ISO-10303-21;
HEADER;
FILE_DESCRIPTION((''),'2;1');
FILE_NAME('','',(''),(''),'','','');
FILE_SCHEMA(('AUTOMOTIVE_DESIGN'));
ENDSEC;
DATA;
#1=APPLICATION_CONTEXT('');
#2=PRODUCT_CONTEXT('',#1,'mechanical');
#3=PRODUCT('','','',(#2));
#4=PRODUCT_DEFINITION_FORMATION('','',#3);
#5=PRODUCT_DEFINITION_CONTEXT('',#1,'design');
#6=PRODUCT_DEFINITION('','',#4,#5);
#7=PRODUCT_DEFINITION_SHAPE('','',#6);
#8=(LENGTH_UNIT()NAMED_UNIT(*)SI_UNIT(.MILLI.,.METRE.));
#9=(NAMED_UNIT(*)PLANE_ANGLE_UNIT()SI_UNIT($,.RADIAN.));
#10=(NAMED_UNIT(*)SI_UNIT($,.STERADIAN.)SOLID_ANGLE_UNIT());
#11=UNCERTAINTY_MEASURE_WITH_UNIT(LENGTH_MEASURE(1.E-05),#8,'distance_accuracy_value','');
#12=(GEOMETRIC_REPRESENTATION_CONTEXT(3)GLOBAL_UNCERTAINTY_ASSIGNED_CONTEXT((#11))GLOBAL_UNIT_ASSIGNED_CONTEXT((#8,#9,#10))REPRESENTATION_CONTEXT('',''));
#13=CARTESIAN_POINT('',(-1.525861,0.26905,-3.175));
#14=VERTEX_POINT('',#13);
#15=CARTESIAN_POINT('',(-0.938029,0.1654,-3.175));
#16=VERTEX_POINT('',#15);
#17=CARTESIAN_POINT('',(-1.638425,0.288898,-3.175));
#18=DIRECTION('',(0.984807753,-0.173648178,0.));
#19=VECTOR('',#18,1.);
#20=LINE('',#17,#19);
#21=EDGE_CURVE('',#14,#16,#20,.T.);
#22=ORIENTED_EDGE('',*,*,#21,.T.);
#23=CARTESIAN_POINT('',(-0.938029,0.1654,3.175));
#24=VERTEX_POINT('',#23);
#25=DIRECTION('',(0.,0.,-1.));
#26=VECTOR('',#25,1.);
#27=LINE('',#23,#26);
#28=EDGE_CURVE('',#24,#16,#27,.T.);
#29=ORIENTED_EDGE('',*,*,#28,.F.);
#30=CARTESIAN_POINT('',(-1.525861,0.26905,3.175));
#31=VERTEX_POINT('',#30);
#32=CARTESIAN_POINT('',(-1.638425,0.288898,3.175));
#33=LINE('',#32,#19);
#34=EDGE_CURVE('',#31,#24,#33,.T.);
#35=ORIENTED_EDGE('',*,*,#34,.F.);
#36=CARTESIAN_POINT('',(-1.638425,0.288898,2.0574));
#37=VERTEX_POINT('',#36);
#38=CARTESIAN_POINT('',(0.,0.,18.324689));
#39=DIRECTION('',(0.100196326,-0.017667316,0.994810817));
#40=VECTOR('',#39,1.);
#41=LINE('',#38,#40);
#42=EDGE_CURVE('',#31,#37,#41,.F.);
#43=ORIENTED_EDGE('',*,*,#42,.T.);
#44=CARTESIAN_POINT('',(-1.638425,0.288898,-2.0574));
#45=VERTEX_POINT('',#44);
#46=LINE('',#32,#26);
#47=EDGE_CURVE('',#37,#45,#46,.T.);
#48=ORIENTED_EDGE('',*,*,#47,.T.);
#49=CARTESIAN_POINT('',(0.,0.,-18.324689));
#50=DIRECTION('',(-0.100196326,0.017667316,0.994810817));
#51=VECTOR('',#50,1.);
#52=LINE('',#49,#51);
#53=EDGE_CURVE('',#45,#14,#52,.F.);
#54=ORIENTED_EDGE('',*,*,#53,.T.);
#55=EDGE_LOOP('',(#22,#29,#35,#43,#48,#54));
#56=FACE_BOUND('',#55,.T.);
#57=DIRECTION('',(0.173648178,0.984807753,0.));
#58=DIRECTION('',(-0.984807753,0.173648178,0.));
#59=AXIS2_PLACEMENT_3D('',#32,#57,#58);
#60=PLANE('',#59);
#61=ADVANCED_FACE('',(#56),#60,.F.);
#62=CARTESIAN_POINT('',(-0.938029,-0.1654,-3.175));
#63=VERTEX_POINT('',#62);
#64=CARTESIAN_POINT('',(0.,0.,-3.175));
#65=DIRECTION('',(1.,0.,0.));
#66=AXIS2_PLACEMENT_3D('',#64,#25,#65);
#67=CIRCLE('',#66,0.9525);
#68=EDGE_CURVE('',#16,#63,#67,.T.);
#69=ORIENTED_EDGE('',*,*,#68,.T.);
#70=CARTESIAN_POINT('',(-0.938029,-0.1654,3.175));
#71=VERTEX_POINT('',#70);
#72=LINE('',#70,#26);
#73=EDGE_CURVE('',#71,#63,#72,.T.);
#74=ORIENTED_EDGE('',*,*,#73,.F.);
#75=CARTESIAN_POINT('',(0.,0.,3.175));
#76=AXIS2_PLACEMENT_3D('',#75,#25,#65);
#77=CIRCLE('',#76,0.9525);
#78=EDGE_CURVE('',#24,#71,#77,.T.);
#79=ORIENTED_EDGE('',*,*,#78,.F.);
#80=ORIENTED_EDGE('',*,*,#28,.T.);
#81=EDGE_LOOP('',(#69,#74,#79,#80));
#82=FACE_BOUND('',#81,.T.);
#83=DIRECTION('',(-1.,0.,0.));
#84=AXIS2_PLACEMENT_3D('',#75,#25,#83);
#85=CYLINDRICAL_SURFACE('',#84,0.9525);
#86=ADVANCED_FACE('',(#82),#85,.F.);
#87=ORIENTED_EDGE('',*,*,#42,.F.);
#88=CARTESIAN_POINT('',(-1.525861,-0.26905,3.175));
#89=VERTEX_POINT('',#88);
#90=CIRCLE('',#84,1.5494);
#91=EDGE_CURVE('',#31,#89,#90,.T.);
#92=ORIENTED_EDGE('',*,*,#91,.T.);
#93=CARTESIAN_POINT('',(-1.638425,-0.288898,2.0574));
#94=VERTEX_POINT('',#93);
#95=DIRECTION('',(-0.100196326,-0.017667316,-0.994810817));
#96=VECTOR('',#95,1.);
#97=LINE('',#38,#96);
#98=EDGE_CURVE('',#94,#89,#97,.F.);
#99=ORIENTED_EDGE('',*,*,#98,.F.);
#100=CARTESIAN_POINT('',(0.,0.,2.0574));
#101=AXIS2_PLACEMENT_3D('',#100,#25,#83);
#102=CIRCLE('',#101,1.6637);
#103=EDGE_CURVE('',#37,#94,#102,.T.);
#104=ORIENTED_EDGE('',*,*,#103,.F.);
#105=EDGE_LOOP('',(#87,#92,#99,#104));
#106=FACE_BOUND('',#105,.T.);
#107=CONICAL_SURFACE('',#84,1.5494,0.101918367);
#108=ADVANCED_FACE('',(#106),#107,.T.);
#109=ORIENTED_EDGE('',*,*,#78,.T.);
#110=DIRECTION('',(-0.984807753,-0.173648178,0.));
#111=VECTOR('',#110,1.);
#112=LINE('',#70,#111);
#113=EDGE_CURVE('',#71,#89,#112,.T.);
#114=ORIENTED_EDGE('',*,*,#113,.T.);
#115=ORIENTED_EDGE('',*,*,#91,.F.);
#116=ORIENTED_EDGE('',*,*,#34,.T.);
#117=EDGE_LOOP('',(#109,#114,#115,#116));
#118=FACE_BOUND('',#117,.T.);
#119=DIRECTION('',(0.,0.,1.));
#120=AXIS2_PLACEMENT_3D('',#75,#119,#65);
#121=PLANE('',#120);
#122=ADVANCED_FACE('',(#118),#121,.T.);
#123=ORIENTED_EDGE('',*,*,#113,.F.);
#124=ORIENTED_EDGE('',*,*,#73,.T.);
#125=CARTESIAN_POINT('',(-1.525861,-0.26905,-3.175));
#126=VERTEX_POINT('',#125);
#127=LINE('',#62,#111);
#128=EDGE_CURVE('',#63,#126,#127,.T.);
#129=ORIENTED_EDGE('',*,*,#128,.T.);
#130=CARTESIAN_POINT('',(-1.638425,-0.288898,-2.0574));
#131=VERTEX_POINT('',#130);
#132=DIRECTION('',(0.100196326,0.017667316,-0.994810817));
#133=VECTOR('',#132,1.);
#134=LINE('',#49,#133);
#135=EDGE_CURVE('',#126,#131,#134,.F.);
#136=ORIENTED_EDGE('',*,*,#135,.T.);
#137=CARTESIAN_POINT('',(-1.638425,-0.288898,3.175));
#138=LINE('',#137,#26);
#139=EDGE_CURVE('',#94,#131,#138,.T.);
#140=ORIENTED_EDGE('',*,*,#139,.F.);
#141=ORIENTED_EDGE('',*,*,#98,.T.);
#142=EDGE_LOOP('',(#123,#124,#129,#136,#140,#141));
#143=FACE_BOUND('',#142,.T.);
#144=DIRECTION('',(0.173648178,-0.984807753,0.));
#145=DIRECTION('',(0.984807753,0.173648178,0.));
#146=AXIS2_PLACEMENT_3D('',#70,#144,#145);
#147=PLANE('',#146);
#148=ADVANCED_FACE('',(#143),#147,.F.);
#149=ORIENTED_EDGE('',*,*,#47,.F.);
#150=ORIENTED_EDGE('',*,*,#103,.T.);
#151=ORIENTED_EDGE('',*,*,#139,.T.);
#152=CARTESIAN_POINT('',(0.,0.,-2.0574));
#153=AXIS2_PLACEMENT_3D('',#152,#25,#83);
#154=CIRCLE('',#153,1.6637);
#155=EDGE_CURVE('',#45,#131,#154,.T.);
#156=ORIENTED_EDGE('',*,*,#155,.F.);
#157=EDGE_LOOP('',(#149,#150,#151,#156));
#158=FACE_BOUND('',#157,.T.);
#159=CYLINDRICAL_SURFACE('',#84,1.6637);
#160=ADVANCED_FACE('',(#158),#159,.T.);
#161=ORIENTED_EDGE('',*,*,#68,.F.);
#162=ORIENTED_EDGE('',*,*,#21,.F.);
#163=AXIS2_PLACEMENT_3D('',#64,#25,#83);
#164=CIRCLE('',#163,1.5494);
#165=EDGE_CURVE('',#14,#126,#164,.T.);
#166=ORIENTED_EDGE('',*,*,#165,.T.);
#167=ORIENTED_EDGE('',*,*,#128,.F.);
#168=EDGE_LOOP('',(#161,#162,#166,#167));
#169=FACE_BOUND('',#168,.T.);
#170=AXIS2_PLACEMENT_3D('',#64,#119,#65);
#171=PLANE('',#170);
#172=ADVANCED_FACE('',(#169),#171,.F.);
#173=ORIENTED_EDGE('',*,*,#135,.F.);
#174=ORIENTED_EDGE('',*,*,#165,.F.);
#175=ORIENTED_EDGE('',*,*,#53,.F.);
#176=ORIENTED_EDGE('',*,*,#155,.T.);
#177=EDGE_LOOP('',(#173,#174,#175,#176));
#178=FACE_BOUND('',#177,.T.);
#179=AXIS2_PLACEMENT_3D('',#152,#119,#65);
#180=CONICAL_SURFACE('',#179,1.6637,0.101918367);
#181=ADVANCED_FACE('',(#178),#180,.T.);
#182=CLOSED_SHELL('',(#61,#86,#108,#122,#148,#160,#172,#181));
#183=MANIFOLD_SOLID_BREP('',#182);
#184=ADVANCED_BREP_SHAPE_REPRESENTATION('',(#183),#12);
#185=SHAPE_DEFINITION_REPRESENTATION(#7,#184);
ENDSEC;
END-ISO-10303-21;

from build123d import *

# Parameters (mm, degrees)
EXTRUDE1_DEPTH = 3.175


with BuildPart() as part:
    # Sketch1 → Extrude1 (new, symmetric)
    with BuildSketch(Plane.XY):
        with BuildLine():
            Line((-1.638424659, 0.288898473), (-0.938029385, 0.165399889))
            ThreePointArc((-0.938029385, 0.165399889), (0.9525, 0), (-0.938029385, -0.165399889))
            Line((-0.938029385, -0.165399889), (-1.638424659, -0.288898473))
            ThreePointArc((-1.638424659, -0.288898473), (1.6637, 0), (-1.638424659, 0.288898473))
        make_face()
    extrude(amount=EXTRUDE1_DEPTH, both=True)

    # Sketch2 → Cut-Revolve1 (revolve, cut)
    with BuildSketch(Plane(origin=(0, 0, 0), x_dir=(0, 0, -1), z_dir=(1, 0, 0))):
        Polygon((3.175, 1.6637), (3.175, 1.5494), (2.0574, 1.6637), align=None)
        Polygon((-2.0574, 1.6637), (-3.175, 1.6637), (-3.175, 1.5494), align=None)
    revolve(axis=Axis((0, 0, -3.175), (0, 0, 1)), mode=Mode.SUBTRACT)


solid = part.part
